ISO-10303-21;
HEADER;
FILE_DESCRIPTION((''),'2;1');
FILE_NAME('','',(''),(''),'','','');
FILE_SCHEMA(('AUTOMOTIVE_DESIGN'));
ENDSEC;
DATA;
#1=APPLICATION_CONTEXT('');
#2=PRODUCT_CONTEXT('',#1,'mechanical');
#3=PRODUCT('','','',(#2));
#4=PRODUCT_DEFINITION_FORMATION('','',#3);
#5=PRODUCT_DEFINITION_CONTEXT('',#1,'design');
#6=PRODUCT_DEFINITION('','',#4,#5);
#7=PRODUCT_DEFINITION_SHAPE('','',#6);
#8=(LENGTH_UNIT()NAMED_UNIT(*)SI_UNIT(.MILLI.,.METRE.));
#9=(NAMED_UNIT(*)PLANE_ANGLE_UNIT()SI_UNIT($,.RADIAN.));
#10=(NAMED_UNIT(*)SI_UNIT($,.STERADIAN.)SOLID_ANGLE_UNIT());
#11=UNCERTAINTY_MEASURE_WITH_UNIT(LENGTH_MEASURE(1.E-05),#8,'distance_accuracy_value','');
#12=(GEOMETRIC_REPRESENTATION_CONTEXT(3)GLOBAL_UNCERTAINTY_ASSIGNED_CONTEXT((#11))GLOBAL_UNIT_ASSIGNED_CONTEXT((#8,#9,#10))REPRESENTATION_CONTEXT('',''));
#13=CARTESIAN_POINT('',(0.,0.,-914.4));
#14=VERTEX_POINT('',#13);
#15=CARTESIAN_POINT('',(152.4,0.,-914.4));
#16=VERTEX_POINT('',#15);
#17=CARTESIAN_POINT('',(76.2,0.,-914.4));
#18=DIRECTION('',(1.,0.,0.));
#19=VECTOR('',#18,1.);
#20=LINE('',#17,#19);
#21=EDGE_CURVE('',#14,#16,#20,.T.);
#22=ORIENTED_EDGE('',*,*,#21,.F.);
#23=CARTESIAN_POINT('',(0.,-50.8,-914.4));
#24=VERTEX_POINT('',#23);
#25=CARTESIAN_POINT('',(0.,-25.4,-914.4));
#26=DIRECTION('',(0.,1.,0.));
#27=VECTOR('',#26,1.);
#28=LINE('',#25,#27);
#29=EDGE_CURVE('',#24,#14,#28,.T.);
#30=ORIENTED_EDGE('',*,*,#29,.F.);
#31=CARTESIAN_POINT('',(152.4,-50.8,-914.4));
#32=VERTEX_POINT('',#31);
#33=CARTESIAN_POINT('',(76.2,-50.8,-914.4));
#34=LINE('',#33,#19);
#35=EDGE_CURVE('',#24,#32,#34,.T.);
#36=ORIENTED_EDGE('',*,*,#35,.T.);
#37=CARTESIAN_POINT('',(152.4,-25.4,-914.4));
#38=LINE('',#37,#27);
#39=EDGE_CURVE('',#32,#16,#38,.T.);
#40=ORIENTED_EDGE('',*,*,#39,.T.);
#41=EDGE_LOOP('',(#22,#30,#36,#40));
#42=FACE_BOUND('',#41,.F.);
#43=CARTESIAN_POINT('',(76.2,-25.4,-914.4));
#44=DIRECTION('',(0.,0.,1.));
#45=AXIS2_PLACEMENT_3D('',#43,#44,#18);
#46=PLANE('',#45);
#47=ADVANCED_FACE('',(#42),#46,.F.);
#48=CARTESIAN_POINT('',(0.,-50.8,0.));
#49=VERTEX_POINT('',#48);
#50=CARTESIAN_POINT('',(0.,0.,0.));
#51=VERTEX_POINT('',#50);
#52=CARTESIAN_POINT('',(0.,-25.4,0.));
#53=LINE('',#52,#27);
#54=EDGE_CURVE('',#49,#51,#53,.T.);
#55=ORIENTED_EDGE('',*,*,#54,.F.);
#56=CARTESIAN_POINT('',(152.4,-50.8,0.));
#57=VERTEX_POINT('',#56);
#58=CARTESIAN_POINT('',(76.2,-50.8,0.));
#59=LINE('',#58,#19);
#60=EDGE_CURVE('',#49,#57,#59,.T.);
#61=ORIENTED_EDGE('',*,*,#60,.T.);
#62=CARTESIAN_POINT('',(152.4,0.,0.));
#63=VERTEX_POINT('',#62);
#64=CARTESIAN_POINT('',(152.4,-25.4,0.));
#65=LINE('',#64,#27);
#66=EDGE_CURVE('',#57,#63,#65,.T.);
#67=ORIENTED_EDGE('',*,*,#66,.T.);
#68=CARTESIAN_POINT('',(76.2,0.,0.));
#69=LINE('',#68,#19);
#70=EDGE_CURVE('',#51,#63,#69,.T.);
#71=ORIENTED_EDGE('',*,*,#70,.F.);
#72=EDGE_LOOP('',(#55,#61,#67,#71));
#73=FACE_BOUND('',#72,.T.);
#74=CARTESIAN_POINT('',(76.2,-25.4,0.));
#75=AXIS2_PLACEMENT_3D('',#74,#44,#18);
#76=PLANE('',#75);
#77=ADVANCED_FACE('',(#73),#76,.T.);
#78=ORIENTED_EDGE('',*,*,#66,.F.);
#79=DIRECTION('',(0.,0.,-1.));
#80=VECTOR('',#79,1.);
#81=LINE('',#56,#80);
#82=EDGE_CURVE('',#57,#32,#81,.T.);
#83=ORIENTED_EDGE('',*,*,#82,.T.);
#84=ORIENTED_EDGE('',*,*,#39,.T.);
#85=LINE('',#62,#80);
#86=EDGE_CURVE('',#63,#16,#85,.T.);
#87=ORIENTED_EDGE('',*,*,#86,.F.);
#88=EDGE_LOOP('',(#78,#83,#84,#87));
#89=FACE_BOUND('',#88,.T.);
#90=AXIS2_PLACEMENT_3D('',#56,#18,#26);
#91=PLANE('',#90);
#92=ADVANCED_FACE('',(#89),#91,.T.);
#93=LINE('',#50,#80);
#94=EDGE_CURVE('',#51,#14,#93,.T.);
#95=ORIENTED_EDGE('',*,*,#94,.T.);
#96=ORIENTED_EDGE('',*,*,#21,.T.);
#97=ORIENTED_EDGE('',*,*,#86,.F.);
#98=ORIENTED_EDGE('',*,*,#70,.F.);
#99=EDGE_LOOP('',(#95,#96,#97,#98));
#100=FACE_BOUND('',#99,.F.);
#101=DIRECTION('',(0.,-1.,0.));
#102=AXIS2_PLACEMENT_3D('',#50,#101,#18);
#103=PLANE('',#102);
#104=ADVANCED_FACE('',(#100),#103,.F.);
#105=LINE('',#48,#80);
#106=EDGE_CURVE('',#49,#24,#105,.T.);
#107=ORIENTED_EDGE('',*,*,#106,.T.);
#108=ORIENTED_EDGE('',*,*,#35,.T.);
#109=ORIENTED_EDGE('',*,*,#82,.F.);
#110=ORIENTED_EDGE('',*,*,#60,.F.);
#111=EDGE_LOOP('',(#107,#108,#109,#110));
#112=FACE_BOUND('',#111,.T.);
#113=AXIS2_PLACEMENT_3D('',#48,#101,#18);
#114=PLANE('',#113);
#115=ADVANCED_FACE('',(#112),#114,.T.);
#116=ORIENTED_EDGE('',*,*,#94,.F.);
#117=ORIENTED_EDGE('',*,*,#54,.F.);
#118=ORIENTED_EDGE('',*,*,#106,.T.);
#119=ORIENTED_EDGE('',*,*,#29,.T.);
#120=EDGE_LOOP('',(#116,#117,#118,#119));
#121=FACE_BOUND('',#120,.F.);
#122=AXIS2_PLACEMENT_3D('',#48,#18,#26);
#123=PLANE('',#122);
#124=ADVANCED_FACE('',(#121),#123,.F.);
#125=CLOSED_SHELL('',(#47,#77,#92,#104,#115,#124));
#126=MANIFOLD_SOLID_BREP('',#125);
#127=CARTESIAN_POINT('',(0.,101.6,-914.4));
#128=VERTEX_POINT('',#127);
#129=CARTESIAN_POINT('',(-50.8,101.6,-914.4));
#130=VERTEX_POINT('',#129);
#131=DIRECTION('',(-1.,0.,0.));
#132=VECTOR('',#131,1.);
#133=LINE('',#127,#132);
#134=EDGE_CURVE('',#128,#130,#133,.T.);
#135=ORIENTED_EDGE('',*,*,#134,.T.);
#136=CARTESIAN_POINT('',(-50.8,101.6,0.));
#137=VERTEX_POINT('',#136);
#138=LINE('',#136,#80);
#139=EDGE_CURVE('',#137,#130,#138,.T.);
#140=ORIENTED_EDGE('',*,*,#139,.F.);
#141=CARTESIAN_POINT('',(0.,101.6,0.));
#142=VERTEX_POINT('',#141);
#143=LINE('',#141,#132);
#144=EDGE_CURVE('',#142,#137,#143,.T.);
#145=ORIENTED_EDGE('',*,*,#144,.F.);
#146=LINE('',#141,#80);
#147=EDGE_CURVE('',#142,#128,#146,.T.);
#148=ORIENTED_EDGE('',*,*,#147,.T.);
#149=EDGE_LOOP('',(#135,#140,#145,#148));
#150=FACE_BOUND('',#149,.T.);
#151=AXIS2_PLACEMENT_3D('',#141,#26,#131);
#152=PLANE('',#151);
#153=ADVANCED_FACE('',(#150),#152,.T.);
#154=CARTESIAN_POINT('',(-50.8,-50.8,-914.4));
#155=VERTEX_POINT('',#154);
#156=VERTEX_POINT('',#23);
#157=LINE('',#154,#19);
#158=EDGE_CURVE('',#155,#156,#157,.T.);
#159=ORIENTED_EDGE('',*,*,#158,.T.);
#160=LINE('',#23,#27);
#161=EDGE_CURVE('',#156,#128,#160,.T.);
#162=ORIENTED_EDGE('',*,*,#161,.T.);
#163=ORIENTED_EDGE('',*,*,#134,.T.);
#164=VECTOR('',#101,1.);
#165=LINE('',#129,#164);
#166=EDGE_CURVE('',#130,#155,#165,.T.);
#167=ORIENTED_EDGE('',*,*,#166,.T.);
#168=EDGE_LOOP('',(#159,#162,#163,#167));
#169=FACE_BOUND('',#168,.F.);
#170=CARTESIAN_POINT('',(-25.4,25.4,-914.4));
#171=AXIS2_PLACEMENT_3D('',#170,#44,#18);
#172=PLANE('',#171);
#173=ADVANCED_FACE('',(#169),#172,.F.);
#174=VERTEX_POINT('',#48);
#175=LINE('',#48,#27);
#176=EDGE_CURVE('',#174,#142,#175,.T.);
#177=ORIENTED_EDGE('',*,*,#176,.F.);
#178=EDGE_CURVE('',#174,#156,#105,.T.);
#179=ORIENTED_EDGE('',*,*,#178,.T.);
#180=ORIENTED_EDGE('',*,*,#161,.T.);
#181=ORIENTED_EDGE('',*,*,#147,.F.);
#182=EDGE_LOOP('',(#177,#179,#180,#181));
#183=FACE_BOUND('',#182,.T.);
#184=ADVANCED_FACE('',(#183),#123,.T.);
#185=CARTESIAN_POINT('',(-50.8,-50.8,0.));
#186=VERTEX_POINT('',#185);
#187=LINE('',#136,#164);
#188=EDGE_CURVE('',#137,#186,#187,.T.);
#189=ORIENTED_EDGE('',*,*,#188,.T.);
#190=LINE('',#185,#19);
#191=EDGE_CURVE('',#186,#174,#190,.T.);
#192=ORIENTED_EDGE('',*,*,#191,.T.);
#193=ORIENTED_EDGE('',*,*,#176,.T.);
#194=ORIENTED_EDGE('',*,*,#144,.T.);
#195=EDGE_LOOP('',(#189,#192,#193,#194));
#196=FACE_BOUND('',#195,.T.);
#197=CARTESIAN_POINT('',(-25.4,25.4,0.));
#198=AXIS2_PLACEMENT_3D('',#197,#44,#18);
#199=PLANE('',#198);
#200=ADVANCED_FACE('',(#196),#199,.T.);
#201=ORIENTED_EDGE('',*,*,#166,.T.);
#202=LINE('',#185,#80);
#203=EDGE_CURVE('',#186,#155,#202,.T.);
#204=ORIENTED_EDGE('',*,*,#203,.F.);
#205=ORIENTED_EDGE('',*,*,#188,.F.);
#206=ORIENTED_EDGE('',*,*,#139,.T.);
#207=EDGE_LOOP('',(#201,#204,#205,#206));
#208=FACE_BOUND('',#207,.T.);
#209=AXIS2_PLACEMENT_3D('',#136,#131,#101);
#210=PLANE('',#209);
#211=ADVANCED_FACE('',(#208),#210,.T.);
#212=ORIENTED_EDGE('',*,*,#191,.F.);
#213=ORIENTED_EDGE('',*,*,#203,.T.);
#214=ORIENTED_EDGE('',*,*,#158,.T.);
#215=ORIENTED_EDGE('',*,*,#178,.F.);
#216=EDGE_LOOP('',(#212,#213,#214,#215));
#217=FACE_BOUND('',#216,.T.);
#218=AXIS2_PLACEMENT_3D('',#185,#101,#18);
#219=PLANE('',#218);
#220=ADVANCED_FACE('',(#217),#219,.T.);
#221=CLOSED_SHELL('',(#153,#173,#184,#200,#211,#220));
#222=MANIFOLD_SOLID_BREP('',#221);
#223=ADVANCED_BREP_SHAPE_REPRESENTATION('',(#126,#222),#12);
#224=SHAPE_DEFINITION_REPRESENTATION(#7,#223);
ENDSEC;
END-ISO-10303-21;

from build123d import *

# Parameters (mm, degrees)
F0_W     = 152.4
F0_H     = 50.8
F1_DEPTH = 914.4
F2_DEPTH = 914.4


with BuildPart() as f1:
    # F0 (on Top) → F1 (new body)
    with BuildSketch(Plane.XY):
        with Locations((76.2, -25.4)):
            Rectangle(F0_W, F0_H)
    extrude(amount=-F1_DEPTH)


with BuildPart() as f2:
    # F0 (on Top) → F2 (new body)
    with BuildSketch(Plane.XY):
        Polygon((0, -50.8), (0, 0), (0, 101.6), (-50.8, 101.6), (-50.8, -50.8), align=None)
    extrude(amount=-F2_DEPTH)


solid = Compound([f1.part, f2.part])
